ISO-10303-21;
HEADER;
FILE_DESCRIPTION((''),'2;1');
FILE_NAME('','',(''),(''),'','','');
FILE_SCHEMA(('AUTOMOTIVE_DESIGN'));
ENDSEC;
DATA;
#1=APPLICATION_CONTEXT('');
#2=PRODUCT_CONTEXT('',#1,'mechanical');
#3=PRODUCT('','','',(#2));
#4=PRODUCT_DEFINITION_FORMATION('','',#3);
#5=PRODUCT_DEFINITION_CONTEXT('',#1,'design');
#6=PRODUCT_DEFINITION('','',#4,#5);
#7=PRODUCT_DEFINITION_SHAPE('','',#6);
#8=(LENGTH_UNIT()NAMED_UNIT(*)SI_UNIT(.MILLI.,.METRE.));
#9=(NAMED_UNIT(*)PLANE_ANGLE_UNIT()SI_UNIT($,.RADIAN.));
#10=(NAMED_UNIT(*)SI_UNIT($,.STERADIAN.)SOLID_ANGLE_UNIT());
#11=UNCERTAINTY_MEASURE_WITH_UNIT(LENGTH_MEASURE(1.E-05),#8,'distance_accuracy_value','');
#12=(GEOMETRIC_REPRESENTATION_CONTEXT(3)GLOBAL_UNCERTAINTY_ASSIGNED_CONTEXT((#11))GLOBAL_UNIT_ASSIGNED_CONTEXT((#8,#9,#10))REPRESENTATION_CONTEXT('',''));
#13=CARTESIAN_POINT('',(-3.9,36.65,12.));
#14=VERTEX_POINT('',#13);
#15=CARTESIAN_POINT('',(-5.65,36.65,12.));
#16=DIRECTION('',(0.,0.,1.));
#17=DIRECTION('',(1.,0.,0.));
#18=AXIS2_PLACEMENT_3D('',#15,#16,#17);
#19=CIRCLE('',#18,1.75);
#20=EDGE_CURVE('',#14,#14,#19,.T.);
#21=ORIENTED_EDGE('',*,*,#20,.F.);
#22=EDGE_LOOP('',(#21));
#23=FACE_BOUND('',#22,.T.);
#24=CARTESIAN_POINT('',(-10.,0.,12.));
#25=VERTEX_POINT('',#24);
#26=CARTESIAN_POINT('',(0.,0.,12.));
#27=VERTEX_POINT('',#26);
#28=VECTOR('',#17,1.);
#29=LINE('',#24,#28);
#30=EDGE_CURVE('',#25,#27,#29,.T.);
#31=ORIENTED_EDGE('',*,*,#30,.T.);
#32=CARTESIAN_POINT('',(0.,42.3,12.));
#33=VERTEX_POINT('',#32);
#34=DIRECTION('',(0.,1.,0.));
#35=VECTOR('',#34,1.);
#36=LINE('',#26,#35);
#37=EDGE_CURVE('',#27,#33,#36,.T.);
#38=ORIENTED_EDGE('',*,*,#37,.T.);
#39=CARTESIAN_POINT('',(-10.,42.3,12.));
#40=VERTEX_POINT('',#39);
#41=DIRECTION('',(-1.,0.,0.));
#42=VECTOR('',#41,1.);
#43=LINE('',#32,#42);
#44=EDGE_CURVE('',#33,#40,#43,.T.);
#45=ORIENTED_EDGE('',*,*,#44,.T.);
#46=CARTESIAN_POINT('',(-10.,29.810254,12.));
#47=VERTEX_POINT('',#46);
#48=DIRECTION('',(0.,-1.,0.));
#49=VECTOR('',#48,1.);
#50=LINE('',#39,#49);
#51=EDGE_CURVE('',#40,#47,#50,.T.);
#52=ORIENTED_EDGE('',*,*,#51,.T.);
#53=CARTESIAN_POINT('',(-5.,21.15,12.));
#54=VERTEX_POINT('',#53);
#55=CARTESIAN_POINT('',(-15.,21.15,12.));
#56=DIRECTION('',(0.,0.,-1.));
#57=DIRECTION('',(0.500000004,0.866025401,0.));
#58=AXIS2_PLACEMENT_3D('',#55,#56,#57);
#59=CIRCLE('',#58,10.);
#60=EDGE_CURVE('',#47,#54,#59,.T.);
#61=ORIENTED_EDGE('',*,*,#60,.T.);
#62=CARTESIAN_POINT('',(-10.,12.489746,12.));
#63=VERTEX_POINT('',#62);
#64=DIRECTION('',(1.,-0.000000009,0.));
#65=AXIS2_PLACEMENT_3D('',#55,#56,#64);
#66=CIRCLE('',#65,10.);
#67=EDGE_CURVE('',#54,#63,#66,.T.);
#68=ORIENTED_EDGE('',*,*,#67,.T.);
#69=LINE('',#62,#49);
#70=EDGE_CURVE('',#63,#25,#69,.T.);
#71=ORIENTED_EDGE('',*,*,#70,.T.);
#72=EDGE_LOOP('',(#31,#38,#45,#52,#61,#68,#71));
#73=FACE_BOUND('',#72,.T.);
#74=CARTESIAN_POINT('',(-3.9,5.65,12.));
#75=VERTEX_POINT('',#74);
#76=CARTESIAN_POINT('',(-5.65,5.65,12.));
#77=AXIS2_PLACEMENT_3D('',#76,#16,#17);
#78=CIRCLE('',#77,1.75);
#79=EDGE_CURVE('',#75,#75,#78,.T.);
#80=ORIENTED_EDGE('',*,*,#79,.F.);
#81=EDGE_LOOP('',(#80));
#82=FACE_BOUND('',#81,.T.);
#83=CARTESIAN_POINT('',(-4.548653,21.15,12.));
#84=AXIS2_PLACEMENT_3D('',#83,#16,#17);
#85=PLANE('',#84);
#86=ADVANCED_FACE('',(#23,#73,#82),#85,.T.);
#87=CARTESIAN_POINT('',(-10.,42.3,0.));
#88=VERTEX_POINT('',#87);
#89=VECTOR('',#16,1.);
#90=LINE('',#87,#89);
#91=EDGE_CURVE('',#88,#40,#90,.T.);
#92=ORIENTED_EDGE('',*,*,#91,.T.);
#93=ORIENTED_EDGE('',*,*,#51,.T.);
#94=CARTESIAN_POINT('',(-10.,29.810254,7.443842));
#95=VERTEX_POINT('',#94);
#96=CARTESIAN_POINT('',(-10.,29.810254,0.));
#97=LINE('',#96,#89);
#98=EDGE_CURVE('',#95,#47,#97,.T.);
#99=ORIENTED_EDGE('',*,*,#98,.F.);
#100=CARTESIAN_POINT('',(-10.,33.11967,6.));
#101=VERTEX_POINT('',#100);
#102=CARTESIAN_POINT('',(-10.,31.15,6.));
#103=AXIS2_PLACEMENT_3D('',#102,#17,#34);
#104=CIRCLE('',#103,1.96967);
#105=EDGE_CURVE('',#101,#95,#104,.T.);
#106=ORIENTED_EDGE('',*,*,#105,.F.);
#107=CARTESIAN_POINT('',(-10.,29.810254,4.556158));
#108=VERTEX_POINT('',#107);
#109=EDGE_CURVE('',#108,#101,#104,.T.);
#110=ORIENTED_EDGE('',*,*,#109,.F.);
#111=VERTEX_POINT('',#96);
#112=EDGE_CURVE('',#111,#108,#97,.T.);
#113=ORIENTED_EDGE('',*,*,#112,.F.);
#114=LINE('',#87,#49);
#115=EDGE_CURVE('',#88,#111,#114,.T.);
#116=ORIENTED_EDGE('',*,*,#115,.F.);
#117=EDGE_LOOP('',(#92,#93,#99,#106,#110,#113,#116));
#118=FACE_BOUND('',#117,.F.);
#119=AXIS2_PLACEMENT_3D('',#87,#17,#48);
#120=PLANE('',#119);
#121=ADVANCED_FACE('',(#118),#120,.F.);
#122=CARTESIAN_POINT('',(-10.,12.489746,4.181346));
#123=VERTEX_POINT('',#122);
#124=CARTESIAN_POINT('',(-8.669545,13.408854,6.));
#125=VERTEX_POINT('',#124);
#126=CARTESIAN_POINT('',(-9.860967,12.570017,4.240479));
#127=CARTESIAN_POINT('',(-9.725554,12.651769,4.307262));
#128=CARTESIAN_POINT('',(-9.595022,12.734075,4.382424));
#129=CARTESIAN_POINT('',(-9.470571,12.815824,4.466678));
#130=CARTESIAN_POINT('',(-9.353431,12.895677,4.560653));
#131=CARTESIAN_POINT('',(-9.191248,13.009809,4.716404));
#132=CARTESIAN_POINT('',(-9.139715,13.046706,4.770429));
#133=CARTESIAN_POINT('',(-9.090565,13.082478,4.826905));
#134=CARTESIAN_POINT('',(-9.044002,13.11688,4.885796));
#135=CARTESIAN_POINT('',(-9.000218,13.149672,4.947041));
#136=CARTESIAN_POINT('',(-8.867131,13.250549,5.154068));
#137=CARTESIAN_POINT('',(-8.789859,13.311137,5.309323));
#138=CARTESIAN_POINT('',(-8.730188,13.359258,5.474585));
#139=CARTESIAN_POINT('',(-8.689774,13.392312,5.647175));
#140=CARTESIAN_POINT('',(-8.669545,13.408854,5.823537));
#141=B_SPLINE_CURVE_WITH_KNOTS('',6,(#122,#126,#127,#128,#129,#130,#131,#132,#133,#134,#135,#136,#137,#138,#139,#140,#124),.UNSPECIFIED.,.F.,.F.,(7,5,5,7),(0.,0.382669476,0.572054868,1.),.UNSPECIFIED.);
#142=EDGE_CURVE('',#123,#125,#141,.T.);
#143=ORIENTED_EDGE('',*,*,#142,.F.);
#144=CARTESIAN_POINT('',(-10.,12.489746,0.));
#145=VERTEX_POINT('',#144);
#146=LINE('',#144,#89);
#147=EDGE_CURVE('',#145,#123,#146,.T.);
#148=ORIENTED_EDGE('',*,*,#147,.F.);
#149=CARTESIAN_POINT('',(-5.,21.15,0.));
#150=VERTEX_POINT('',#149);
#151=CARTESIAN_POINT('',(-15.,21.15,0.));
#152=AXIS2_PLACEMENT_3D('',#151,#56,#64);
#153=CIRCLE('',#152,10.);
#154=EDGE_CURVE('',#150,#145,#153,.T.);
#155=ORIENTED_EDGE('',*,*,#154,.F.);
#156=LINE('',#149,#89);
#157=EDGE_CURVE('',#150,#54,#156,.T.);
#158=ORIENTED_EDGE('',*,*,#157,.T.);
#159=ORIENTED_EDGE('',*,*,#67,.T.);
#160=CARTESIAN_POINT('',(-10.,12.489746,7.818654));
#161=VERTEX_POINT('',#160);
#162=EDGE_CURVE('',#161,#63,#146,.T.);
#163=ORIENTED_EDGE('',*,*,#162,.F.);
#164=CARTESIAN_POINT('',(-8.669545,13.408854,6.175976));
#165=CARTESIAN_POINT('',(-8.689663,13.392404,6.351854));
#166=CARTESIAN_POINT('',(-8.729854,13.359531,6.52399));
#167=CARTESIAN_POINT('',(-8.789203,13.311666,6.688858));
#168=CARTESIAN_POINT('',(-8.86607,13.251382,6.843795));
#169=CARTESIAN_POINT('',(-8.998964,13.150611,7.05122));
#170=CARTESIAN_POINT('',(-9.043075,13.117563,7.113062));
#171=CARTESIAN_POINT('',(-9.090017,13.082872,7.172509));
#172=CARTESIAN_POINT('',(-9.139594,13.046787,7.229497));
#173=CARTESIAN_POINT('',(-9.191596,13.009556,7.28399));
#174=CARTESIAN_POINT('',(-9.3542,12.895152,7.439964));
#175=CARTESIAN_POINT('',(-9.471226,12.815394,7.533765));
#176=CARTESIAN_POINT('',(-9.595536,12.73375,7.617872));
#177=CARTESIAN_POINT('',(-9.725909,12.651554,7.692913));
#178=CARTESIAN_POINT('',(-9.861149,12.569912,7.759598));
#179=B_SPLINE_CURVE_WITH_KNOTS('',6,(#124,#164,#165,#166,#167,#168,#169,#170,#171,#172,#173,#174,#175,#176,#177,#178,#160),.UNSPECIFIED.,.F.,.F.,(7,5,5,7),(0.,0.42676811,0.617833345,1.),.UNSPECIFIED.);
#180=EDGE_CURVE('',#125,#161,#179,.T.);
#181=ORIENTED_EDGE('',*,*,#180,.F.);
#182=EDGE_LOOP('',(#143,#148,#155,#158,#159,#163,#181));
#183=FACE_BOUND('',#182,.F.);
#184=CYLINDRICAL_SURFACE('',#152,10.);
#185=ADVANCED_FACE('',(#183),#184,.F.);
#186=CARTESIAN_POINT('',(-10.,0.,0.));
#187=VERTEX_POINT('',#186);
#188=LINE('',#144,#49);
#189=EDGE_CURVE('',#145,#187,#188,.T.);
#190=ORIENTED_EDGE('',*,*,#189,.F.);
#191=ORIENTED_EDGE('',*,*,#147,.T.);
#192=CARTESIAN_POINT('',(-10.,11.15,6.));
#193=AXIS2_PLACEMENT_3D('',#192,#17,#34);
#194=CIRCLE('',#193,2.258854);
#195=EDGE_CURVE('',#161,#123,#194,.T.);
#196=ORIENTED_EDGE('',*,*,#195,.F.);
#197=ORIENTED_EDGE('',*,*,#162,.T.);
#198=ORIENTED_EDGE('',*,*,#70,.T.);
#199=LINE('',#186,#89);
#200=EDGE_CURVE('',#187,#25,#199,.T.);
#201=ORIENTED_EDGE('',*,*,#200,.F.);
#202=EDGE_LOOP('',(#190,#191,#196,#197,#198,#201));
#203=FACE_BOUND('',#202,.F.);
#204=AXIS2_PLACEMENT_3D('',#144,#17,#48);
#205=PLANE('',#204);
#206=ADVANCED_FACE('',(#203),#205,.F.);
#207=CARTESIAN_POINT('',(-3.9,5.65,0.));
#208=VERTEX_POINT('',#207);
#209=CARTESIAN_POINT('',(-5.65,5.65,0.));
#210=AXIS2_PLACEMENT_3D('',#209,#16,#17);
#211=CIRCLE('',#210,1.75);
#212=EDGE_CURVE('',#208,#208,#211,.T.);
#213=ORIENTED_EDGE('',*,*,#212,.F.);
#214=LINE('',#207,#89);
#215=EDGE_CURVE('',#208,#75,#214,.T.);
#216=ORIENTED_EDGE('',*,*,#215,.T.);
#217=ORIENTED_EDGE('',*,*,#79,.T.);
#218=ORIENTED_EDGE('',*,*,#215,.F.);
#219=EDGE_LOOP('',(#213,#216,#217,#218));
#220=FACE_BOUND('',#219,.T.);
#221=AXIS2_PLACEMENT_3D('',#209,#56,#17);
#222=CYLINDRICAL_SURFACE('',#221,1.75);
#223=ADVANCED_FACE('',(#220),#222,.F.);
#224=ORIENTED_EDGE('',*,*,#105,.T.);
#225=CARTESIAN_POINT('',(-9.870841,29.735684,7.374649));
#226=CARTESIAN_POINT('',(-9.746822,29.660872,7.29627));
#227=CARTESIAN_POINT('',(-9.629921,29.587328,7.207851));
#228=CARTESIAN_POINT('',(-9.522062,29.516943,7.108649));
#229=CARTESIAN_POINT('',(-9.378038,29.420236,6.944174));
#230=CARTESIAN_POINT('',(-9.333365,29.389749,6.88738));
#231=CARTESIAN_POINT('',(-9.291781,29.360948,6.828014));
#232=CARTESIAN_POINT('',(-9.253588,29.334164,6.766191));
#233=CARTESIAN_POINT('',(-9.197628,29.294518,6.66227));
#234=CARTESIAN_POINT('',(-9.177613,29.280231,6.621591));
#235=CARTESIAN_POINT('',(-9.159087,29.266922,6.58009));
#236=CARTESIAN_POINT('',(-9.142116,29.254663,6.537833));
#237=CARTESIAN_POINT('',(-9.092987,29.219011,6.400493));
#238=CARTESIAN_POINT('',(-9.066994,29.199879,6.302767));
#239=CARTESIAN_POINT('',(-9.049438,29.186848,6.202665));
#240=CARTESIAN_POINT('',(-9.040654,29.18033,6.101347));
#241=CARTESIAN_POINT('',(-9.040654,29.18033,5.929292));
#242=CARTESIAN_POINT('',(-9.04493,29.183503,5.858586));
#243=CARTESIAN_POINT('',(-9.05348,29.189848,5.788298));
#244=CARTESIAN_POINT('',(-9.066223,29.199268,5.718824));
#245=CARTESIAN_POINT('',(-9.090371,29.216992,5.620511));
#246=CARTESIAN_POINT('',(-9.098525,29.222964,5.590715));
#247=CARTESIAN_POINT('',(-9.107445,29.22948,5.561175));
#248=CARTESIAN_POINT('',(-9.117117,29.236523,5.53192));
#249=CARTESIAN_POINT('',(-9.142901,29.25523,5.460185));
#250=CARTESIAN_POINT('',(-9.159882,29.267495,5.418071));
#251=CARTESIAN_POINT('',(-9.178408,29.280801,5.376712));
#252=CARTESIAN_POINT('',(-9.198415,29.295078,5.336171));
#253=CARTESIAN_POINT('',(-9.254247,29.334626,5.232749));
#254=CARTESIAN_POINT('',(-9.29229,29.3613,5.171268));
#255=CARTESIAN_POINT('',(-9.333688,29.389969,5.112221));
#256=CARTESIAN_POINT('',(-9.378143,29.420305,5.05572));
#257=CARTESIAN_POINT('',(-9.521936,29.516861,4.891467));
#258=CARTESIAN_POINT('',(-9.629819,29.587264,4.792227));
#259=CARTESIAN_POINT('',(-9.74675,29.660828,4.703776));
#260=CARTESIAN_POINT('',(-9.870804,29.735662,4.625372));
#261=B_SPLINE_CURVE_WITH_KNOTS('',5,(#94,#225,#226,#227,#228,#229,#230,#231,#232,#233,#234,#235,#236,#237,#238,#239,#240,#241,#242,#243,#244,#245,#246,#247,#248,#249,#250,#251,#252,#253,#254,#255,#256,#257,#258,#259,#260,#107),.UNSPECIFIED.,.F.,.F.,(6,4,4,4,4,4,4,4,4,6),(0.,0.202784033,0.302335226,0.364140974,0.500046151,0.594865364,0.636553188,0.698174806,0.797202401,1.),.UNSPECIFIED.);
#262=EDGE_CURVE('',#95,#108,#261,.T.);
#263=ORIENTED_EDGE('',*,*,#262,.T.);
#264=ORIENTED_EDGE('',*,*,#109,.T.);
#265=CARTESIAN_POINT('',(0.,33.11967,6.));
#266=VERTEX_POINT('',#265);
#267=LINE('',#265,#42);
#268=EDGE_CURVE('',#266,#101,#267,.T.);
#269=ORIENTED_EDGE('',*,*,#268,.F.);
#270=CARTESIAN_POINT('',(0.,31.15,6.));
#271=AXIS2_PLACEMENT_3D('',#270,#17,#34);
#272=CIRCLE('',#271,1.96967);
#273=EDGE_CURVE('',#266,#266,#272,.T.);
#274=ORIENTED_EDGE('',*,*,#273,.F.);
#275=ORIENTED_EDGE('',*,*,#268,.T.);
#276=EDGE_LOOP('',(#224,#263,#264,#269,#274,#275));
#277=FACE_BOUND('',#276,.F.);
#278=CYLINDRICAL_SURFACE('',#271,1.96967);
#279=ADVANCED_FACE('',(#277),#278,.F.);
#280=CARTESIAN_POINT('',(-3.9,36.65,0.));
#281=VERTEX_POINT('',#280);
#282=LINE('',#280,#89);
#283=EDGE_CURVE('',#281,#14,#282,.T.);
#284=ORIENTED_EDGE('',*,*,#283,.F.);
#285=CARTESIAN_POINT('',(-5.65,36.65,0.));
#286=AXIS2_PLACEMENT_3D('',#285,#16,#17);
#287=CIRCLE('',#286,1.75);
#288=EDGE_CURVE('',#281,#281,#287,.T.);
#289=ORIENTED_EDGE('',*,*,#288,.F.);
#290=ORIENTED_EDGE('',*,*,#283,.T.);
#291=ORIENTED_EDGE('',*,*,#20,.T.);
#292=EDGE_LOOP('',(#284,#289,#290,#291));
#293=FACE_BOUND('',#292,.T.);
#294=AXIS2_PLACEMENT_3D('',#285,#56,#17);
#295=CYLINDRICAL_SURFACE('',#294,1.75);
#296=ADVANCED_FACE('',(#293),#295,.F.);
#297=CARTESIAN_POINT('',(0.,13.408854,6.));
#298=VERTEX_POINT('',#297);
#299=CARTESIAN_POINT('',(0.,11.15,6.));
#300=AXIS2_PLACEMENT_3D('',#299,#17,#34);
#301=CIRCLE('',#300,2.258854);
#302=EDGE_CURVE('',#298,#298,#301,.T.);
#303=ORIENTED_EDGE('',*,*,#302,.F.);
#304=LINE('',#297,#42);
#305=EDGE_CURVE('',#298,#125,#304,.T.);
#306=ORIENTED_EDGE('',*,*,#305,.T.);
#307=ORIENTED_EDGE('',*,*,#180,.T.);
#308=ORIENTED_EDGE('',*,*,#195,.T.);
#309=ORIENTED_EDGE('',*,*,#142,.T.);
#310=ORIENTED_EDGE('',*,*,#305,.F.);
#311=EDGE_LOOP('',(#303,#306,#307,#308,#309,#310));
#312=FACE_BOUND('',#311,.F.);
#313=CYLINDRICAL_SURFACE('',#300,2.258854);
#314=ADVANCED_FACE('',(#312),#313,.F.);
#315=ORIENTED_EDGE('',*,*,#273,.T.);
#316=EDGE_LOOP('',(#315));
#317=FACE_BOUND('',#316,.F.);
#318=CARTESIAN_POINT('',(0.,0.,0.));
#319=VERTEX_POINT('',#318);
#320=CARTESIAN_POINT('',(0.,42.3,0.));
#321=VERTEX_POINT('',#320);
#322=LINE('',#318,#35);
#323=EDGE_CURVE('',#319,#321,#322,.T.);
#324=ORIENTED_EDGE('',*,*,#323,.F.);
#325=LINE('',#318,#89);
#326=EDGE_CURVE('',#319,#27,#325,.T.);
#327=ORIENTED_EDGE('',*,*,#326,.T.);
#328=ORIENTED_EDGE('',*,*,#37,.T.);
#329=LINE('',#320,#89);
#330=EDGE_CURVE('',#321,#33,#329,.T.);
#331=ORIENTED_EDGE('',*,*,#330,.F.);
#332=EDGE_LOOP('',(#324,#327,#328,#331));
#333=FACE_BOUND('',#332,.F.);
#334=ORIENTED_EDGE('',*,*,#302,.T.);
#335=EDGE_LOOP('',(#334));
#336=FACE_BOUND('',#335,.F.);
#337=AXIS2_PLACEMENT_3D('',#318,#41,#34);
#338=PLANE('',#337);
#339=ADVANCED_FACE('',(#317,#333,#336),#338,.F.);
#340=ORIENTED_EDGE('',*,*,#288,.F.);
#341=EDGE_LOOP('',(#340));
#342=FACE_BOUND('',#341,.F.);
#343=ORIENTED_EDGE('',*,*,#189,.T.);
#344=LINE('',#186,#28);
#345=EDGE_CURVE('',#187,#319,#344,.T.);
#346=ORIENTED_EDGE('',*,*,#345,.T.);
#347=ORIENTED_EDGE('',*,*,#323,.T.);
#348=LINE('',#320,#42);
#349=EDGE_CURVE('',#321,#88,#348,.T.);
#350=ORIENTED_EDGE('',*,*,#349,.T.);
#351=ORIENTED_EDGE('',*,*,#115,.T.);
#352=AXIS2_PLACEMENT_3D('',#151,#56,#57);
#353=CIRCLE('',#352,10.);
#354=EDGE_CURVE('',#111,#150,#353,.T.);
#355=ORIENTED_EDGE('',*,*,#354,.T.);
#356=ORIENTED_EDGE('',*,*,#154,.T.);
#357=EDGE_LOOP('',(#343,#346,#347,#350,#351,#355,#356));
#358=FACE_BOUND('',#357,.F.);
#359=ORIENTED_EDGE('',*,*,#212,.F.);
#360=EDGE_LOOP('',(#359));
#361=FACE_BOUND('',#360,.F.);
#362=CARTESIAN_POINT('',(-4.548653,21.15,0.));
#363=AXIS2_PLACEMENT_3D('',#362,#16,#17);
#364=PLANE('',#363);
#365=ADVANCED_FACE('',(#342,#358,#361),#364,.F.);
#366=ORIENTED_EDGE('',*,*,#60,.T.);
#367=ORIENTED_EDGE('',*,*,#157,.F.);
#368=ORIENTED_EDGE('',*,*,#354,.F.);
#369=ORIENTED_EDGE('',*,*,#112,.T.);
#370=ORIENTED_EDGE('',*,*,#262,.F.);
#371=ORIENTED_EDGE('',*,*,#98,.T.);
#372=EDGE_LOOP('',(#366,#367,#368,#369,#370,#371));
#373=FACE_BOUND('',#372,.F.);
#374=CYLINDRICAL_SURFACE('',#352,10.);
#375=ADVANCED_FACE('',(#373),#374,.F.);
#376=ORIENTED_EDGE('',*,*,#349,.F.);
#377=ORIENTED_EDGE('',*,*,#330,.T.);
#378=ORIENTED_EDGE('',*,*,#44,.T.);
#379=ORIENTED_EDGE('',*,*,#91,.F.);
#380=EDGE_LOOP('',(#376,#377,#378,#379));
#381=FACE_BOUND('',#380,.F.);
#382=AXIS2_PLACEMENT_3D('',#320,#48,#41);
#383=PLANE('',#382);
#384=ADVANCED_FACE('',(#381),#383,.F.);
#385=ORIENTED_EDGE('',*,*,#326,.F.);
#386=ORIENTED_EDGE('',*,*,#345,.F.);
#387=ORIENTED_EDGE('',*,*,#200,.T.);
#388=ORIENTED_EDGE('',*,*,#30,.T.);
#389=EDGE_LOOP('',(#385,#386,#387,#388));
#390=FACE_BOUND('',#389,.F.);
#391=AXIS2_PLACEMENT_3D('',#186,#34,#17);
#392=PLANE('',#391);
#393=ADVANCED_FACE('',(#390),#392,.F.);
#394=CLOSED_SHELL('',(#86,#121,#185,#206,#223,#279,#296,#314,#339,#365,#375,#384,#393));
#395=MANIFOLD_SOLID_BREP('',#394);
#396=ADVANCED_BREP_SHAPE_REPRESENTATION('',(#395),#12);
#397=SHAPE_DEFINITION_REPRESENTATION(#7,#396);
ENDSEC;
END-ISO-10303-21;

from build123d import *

# Parameters (mm, degrees)
F0_R     = 1.75
F1_DEPTH = 12
F2_R     = 1.96967
F2_R_2   = 2.258854
F3_DEPTH = 25


with BuildPart() as f1:
    # F0 (on Top) → F1 (new body)
    with BuildSketch(Plane.XY):
        with BuildLine():
            ThreePointArc((-10, 29.810254), (-6.339746, 26.15), (-5, 21.15))
            ThreePointArc((-5, 21.15), (-6.339746, 16.15), (-10, 12.489746))
            Line((-10, 12.489746), (-10, 0))
            Line((-10, 0), (0, 0))
            Line((0, 0), (0, 42.3))
            Line((0, 42.3), (-10, 42.3))
            Line((-10, 42.3), (-10, 29.810254))
        make_face()
        with Locations((-5.65, 5.65)):
            Circle(F0_R, mode=Mode.SUBTRACT)
        with Locations((-5.65, 36.65)):
            Circle(F0_R, mode=Mode.SUBTRACT)
    extrude(amount=F1_DEPTH)

    # F2 (on face) → F3 (cut)
    with BuildSketch(Plane.YZ):
        with Locations((31.15, 6)):
            Circle(F2_R)
        with Locations((11.15, 6)):
            Circle(F2_R_2)
    extrude(amount=-F3_DEPTH, mode=Mode.SUBTRACT)


solid = f1.part
